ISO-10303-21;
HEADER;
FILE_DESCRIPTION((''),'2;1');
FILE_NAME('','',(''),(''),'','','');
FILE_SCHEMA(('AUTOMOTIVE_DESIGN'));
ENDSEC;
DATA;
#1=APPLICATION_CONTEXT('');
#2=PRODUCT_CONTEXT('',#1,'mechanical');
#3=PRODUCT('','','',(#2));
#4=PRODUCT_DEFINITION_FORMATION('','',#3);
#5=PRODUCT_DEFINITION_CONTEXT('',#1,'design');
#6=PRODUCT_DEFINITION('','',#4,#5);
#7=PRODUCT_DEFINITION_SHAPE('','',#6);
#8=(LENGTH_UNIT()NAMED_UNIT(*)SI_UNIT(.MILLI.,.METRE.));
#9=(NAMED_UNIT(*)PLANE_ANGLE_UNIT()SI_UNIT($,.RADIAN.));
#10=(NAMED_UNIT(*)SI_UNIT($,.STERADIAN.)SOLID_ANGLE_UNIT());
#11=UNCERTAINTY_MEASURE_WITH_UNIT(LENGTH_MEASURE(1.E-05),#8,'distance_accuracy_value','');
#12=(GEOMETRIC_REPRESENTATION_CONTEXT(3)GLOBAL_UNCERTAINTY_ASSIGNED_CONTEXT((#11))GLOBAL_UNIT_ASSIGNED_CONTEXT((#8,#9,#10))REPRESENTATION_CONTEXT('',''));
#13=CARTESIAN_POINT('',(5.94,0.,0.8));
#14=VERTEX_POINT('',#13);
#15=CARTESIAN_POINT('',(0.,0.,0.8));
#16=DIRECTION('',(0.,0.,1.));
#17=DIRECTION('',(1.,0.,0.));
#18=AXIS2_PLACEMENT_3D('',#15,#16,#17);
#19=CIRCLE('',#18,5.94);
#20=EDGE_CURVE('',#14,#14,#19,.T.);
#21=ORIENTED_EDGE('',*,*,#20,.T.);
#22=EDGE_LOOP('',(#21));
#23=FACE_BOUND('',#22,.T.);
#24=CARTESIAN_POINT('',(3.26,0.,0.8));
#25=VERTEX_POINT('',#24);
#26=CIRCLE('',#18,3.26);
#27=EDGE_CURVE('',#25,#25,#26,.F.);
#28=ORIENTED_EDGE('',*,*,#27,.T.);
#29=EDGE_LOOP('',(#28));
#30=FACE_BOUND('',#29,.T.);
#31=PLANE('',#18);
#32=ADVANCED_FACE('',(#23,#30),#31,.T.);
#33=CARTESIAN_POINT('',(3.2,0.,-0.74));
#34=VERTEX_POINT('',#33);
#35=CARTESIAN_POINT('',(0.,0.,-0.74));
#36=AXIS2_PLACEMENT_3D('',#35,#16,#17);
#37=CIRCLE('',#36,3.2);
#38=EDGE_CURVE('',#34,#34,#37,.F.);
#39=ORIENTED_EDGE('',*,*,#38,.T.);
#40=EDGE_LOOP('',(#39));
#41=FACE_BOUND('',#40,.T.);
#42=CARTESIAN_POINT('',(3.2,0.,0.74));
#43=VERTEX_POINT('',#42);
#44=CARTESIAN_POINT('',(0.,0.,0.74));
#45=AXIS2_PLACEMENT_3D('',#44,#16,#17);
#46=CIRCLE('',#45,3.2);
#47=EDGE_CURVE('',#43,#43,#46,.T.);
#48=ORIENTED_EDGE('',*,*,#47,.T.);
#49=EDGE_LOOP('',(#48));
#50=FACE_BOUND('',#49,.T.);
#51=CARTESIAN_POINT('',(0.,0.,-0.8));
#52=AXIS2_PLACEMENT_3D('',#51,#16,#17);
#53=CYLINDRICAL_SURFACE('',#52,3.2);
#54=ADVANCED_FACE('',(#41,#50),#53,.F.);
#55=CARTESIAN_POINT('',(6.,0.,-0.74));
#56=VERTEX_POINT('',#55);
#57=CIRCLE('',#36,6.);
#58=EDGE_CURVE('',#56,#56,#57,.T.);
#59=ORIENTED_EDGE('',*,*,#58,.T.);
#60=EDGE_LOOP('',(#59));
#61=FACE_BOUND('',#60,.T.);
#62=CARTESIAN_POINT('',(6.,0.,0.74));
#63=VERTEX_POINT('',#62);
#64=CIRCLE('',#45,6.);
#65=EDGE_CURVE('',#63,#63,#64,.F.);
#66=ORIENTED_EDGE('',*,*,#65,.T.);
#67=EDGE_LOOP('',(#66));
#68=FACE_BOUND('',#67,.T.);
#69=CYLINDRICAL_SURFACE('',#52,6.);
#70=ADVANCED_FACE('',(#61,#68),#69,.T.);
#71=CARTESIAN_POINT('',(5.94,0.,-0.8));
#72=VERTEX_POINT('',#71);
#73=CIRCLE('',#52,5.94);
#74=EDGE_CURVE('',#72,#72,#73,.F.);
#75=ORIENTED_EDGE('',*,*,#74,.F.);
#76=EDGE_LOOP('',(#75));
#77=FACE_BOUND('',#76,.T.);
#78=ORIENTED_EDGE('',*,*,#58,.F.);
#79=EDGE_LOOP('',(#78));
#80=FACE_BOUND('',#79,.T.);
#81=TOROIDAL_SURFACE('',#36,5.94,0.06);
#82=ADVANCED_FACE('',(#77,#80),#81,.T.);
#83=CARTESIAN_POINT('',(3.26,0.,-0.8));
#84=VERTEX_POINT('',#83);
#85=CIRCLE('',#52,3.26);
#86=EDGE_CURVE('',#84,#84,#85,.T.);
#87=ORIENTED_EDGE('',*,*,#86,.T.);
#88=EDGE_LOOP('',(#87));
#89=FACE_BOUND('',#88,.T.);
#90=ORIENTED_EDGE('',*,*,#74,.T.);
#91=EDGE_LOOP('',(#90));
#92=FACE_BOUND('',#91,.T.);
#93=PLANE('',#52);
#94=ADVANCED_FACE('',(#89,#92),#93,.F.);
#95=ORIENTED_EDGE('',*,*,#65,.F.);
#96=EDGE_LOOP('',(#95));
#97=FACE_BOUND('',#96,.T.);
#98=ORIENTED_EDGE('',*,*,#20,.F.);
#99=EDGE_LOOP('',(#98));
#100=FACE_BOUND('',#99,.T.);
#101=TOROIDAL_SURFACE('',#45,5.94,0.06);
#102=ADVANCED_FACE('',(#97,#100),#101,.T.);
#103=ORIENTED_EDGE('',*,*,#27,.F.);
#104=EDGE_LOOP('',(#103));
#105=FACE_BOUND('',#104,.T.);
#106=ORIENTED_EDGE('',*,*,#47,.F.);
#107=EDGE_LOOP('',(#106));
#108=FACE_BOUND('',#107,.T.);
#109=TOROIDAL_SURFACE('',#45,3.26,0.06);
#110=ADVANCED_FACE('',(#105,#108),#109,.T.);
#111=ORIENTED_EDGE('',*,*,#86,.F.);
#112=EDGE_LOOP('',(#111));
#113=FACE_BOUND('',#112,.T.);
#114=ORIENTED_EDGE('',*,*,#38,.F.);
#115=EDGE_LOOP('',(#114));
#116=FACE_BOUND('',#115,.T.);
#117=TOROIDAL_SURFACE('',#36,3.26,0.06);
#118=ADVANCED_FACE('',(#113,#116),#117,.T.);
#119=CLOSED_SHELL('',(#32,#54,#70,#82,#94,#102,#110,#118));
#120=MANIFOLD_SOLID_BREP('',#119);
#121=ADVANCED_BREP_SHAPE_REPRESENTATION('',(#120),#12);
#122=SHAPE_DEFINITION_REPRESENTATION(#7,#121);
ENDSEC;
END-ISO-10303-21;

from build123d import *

# Parameters (mm, degrees)
BOSS_EXTRUDE1_START = 0.8
SKETCH3_R           = 6
SKETCH3_R_2         = 3.2
BOSS_EXTRUDE1_DEPTH = 1.6
FILLET1_R           = 0.06


with BuildPart() as part:
    # Sketch3 → Boss-Extrude1 (new body)
    with BuildSketch(Plane.XY.offset(BOSS_EXTRUDE1_START)):
        Circle(SKETCH3_R)
        Circle(SKETCH3_R_2, mode=Mode.SUBTRACT)
    extrude(amount=-BOSS_EXTRUDE1_DEPTH)

    # Fillet1
    fillet1_edges = [part.edges().sort_by_distance(p)[0] for p in [
        (-6, 0, 0.8),
        (-6, 0, -0.8),
        (-3.2, 0, -0.8),
        (-3.2, 0, 0.8),
    ]]
    fillet(fillet1_edges, radius=FILLET1_R)


solid = part.part
